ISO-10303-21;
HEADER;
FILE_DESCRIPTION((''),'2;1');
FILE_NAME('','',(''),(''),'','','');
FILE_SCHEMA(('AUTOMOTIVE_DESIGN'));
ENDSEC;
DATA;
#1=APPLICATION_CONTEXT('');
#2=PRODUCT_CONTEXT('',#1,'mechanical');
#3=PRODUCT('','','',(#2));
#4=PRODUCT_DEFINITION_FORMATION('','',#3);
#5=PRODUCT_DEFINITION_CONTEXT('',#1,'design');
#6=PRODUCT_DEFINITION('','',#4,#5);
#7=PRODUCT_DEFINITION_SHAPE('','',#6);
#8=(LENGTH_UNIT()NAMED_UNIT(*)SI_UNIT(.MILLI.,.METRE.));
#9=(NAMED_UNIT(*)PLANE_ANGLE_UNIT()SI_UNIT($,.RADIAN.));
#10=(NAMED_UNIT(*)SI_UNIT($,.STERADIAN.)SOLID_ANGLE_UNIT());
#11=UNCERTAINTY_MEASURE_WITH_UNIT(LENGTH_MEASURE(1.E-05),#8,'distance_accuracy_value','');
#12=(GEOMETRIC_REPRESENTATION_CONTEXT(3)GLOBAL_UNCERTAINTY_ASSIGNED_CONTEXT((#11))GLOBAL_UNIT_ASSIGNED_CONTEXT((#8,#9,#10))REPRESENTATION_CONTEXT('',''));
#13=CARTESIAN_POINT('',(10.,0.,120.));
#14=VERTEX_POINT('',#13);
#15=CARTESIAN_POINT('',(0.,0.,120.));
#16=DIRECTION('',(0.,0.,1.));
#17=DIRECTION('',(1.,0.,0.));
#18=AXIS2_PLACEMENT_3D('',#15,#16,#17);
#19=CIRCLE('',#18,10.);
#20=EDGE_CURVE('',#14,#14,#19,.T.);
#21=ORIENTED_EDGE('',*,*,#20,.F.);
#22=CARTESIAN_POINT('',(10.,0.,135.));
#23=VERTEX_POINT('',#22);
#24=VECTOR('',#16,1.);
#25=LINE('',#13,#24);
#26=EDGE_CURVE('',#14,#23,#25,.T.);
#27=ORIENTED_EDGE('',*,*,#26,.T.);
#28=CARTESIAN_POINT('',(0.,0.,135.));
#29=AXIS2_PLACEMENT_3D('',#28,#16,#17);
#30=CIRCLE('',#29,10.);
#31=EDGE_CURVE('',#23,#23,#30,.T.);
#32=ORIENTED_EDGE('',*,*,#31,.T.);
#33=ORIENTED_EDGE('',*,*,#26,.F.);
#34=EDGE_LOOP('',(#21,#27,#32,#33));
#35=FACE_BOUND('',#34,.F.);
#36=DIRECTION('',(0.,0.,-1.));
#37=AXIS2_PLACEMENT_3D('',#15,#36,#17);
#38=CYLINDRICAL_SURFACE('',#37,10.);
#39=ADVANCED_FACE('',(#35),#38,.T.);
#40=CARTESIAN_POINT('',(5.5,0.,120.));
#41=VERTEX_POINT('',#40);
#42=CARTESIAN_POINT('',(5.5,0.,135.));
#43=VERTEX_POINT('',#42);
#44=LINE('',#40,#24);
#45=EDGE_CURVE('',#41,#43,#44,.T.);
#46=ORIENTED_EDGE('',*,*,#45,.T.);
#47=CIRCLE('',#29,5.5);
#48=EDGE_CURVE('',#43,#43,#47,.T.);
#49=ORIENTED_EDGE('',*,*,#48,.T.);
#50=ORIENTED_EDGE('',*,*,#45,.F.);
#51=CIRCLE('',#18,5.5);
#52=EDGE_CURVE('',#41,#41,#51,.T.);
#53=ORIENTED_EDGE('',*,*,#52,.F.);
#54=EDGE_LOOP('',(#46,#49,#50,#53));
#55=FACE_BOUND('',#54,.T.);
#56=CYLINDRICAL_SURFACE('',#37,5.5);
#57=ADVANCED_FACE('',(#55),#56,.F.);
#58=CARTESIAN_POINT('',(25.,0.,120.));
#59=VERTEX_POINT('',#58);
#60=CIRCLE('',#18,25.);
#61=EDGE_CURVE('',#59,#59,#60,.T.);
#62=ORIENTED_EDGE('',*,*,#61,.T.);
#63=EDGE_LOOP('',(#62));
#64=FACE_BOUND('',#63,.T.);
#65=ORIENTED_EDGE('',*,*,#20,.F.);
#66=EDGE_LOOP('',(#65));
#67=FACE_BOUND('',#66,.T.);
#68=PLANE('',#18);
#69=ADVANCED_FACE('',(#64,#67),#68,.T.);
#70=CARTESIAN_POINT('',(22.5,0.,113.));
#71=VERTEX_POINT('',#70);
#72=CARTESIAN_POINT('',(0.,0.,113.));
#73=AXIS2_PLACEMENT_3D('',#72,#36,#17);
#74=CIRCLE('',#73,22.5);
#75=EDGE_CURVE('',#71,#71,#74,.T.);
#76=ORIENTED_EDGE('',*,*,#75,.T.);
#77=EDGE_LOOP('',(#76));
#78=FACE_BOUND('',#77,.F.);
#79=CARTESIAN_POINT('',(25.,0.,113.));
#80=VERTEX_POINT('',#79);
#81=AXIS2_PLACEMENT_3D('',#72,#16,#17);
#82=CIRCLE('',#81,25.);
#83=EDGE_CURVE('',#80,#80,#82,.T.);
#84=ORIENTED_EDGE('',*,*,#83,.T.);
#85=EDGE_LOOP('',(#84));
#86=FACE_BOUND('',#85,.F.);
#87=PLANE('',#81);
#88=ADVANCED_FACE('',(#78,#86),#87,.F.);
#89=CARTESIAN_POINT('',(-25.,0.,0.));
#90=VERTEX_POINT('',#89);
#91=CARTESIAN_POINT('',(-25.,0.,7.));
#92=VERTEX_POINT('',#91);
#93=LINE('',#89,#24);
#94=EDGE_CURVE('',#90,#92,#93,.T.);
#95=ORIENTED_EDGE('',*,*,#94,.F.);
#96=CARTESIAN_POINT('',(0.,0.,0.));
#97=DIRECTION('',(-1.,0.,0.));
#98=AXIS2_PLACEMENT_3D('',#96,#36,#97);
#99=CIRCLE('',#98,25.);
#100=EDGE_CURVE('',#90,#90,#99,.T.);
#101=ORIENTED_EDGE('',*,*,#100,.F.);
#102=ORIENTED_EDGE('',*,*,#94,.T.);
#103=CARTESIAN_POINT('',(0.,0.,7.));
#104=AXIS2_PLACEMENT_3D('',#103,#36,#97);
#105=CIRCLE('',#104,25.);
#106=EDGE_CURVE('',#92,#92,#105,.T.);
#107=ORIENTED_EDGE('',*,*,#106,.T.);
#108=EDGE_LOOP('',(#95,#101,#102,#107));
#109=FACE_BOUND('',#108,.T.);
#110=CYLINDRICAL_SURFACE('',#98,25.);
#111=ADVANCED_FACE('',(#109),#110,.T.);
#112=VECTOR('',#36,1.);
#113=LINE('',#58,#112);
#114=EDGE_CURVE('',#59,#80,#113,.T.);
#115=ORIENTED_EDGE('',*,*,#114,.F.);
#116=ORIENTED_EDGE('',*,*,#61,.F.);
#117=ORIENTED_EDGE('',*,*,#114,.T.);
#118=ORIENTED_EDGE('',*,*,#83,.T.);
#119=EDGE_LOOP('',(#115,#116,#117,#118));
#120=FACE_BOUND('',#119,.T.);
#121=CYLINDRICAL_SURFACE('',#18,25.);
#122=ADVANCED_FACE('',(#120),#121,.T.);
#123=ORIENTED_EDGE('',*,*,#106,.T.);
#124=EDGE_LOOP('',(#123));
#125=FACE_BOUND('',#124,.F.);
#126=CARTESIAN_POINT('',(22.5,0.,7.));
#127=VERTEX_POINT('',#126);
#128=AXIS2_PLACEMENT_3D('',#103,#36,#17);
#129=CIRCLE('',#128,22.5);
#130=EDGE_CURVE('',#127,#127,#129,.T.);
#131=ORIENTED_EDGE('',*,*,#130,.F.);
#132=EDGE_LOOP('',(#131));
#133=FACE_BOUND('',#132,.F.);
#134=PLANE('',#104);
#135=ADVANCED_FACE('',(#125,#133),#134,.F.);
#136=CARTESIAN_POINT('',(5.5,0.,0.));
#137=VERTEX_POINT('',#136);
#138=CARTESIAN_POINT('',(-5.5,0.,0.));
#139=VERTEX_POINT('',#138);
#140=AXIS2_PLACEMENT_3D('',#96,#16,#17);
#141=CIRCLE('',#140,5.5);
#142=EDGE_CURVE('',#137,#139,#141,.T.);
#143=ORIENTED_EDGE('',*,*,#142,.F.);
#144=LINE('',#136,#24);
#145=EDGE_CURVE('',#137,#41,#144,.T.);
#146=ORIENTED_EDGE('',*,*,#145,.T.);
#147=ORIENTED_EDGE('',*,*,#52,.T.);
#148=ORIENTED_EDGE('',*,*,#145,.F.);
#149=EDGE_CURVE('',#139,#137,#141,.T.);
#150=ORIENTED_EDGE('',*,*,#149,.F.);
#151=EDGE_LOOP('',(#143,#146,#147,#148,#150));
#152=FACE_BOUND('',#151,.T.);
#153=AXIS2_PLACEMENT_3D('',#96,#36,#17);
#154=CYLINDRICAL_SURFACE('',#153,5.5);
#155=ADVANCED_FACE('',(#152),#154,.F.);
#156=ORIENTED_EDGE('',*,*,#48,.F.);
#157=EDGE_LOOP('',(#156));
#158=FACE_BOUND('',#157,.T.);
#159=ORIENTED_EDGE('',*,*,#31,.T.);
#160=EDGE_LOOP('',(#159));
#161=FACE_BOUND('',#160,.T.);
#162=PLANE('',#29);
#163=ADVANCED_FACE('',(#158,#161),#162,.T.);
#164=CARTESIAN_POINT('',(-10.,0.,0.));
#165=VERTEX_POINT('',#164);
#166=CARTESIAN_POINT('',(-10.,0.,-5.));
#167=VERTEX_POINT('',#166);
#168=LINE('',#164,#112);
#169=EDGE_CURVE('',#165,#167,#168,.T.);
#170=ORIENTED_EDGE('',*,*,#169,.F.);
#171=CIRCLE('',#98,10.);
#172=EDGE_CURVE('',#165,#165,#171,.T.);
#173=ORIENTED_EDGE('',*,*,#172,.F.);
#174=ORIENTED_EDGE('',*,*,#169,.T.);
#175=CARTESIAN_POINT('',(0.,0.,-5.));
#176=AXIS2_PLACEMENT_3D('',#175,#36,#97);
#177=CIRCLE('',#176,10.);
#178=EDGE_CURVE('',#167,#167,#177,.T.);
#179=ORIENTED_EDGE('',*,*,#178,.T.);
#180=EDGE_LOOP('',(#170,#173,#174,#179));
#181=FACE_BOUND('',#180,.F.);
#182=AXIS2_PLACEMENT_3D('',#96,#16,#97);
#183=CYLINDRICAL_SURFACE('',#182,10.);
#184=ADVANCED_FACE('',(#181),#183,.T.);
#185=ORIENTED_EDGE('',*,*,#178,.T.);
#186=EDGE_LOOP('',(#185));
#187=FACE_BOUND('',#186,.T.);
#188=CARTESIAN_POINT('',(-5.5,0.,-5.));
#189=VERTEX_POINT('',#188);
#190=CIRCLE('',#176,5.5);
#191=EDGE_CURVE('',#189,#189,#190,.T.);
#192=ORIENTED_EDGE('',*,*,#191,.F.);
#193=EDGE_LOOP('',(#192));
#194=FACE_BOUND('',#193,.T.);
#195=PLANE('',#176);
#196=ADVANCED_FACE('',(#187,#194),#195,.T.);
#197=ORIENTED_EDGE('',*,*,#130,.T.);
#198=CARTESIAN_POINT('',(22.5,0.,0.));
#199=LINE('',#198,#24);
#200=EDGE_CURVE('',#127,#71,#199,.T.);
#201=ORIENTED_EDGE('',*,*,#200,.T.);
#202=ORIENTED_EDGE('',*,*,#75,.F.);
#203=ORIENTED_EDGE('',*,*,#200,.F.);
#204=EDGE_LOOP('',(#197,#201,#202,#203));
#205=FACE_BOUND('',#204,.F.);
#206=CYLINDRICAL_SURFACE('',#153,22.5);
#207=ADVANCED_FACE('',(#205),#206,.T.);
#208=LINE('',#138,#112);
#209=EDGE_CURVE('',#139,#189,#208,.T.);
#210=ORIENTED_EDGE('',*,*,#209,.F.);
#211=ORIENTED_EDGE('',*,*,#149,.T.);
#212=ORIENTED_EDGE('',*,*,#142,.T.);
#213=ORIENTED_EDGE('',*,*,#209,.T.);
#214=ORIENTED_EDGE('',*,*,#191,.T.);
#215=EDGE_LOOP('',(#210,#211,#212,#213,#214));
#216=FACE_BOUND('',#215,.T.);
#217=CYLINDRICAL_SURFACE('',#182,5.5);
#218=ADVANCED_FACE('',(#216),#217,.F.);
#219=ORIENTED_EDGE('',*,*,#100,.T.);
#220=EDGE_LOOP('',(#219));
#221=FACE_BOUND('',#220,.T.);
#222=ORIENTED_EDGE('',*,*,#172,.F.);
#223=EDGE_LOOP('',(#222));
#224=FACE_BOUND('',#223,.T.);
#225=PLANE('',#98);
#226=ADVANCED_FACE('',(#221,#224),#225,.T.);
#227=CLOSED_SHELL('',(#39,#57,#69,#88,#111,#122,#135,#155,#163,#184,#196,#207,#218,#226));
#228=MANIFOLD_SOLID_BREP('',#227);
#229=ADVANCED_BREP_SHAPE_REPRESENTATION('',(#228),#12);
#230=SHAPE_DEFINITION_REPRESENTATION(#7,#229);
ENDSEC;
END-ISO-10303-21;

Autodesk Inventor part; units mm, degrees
ref_plane "YZ Plane" through (0, 0, 0) normal (1, 0, 0) x (0, 1, 0)
ref_plane "XZ Plane" through (0, 0, 0) normal (0, 1, 0) x (-1, 0, 0)
ref_plane "XY Plane" through (0, 0, 0) normal (0, 0, 1) x (1, 0, 0)
sketch "Sketch1" plane through (0, 0, 0) normal (0, 0, 1) x (1, 0, 0)
  circle A0 centre (0, 0) radius 5.5
  circle A1 centre (0, 0) radius 22.5
  dimension "d0" = 11
  dimension "d1" = 45
extrude "Extrusion1" add sketch "Sketch1" along normal blind 120
sketch "Sketch2" plane through (0, 0, 120) normal (0, 0, 1) x (1, 0, 0)
  circle A0 centre (0, 0) radius 25
  circle A1 centre (0, 0) radius 5.5
  dimension "d4" = 50
  dimension "d5" = 11
extrude "Extrusion2" add sketch "Sketch2" against normal blind 7
sketch "Sketch3" plane through (0, 0, 0) normal (0, 0, -1) x (-1, 0, 0)
  circle A0 centre (0, 0) radius 5.5
  circle A1 centre (0, 0) radius 25
  dimension "d8" = 11
  dimension "d9" = 50
extrude "Extrusion3" add sketch "Sketch3" against normal blind 7
sketch "Sketch4" plane through (0, 0, 0) normal (0, 0, -1) x (-1, 0, 0)
  circle A0 centre (0, 0) radius 5.5
  circle A1 centre (0, 0) radius 10
  dimension "d12" = 20
extrude "Extrusion4" add sketch "Sketch4" along normal blind 5
sketch "Sketch5" plane through (0, 0, 120) normal (0, 0, 1) x (1, 0, 0)
  circle A0 centre (0, 0) radius 5.5
  circle A1 centre (0, 0) radius 10
  dimension "d15" = 20
extrude "Extrusion5" add sketch "Sketch5" along normal blind 15
properties part number "Ydre"
